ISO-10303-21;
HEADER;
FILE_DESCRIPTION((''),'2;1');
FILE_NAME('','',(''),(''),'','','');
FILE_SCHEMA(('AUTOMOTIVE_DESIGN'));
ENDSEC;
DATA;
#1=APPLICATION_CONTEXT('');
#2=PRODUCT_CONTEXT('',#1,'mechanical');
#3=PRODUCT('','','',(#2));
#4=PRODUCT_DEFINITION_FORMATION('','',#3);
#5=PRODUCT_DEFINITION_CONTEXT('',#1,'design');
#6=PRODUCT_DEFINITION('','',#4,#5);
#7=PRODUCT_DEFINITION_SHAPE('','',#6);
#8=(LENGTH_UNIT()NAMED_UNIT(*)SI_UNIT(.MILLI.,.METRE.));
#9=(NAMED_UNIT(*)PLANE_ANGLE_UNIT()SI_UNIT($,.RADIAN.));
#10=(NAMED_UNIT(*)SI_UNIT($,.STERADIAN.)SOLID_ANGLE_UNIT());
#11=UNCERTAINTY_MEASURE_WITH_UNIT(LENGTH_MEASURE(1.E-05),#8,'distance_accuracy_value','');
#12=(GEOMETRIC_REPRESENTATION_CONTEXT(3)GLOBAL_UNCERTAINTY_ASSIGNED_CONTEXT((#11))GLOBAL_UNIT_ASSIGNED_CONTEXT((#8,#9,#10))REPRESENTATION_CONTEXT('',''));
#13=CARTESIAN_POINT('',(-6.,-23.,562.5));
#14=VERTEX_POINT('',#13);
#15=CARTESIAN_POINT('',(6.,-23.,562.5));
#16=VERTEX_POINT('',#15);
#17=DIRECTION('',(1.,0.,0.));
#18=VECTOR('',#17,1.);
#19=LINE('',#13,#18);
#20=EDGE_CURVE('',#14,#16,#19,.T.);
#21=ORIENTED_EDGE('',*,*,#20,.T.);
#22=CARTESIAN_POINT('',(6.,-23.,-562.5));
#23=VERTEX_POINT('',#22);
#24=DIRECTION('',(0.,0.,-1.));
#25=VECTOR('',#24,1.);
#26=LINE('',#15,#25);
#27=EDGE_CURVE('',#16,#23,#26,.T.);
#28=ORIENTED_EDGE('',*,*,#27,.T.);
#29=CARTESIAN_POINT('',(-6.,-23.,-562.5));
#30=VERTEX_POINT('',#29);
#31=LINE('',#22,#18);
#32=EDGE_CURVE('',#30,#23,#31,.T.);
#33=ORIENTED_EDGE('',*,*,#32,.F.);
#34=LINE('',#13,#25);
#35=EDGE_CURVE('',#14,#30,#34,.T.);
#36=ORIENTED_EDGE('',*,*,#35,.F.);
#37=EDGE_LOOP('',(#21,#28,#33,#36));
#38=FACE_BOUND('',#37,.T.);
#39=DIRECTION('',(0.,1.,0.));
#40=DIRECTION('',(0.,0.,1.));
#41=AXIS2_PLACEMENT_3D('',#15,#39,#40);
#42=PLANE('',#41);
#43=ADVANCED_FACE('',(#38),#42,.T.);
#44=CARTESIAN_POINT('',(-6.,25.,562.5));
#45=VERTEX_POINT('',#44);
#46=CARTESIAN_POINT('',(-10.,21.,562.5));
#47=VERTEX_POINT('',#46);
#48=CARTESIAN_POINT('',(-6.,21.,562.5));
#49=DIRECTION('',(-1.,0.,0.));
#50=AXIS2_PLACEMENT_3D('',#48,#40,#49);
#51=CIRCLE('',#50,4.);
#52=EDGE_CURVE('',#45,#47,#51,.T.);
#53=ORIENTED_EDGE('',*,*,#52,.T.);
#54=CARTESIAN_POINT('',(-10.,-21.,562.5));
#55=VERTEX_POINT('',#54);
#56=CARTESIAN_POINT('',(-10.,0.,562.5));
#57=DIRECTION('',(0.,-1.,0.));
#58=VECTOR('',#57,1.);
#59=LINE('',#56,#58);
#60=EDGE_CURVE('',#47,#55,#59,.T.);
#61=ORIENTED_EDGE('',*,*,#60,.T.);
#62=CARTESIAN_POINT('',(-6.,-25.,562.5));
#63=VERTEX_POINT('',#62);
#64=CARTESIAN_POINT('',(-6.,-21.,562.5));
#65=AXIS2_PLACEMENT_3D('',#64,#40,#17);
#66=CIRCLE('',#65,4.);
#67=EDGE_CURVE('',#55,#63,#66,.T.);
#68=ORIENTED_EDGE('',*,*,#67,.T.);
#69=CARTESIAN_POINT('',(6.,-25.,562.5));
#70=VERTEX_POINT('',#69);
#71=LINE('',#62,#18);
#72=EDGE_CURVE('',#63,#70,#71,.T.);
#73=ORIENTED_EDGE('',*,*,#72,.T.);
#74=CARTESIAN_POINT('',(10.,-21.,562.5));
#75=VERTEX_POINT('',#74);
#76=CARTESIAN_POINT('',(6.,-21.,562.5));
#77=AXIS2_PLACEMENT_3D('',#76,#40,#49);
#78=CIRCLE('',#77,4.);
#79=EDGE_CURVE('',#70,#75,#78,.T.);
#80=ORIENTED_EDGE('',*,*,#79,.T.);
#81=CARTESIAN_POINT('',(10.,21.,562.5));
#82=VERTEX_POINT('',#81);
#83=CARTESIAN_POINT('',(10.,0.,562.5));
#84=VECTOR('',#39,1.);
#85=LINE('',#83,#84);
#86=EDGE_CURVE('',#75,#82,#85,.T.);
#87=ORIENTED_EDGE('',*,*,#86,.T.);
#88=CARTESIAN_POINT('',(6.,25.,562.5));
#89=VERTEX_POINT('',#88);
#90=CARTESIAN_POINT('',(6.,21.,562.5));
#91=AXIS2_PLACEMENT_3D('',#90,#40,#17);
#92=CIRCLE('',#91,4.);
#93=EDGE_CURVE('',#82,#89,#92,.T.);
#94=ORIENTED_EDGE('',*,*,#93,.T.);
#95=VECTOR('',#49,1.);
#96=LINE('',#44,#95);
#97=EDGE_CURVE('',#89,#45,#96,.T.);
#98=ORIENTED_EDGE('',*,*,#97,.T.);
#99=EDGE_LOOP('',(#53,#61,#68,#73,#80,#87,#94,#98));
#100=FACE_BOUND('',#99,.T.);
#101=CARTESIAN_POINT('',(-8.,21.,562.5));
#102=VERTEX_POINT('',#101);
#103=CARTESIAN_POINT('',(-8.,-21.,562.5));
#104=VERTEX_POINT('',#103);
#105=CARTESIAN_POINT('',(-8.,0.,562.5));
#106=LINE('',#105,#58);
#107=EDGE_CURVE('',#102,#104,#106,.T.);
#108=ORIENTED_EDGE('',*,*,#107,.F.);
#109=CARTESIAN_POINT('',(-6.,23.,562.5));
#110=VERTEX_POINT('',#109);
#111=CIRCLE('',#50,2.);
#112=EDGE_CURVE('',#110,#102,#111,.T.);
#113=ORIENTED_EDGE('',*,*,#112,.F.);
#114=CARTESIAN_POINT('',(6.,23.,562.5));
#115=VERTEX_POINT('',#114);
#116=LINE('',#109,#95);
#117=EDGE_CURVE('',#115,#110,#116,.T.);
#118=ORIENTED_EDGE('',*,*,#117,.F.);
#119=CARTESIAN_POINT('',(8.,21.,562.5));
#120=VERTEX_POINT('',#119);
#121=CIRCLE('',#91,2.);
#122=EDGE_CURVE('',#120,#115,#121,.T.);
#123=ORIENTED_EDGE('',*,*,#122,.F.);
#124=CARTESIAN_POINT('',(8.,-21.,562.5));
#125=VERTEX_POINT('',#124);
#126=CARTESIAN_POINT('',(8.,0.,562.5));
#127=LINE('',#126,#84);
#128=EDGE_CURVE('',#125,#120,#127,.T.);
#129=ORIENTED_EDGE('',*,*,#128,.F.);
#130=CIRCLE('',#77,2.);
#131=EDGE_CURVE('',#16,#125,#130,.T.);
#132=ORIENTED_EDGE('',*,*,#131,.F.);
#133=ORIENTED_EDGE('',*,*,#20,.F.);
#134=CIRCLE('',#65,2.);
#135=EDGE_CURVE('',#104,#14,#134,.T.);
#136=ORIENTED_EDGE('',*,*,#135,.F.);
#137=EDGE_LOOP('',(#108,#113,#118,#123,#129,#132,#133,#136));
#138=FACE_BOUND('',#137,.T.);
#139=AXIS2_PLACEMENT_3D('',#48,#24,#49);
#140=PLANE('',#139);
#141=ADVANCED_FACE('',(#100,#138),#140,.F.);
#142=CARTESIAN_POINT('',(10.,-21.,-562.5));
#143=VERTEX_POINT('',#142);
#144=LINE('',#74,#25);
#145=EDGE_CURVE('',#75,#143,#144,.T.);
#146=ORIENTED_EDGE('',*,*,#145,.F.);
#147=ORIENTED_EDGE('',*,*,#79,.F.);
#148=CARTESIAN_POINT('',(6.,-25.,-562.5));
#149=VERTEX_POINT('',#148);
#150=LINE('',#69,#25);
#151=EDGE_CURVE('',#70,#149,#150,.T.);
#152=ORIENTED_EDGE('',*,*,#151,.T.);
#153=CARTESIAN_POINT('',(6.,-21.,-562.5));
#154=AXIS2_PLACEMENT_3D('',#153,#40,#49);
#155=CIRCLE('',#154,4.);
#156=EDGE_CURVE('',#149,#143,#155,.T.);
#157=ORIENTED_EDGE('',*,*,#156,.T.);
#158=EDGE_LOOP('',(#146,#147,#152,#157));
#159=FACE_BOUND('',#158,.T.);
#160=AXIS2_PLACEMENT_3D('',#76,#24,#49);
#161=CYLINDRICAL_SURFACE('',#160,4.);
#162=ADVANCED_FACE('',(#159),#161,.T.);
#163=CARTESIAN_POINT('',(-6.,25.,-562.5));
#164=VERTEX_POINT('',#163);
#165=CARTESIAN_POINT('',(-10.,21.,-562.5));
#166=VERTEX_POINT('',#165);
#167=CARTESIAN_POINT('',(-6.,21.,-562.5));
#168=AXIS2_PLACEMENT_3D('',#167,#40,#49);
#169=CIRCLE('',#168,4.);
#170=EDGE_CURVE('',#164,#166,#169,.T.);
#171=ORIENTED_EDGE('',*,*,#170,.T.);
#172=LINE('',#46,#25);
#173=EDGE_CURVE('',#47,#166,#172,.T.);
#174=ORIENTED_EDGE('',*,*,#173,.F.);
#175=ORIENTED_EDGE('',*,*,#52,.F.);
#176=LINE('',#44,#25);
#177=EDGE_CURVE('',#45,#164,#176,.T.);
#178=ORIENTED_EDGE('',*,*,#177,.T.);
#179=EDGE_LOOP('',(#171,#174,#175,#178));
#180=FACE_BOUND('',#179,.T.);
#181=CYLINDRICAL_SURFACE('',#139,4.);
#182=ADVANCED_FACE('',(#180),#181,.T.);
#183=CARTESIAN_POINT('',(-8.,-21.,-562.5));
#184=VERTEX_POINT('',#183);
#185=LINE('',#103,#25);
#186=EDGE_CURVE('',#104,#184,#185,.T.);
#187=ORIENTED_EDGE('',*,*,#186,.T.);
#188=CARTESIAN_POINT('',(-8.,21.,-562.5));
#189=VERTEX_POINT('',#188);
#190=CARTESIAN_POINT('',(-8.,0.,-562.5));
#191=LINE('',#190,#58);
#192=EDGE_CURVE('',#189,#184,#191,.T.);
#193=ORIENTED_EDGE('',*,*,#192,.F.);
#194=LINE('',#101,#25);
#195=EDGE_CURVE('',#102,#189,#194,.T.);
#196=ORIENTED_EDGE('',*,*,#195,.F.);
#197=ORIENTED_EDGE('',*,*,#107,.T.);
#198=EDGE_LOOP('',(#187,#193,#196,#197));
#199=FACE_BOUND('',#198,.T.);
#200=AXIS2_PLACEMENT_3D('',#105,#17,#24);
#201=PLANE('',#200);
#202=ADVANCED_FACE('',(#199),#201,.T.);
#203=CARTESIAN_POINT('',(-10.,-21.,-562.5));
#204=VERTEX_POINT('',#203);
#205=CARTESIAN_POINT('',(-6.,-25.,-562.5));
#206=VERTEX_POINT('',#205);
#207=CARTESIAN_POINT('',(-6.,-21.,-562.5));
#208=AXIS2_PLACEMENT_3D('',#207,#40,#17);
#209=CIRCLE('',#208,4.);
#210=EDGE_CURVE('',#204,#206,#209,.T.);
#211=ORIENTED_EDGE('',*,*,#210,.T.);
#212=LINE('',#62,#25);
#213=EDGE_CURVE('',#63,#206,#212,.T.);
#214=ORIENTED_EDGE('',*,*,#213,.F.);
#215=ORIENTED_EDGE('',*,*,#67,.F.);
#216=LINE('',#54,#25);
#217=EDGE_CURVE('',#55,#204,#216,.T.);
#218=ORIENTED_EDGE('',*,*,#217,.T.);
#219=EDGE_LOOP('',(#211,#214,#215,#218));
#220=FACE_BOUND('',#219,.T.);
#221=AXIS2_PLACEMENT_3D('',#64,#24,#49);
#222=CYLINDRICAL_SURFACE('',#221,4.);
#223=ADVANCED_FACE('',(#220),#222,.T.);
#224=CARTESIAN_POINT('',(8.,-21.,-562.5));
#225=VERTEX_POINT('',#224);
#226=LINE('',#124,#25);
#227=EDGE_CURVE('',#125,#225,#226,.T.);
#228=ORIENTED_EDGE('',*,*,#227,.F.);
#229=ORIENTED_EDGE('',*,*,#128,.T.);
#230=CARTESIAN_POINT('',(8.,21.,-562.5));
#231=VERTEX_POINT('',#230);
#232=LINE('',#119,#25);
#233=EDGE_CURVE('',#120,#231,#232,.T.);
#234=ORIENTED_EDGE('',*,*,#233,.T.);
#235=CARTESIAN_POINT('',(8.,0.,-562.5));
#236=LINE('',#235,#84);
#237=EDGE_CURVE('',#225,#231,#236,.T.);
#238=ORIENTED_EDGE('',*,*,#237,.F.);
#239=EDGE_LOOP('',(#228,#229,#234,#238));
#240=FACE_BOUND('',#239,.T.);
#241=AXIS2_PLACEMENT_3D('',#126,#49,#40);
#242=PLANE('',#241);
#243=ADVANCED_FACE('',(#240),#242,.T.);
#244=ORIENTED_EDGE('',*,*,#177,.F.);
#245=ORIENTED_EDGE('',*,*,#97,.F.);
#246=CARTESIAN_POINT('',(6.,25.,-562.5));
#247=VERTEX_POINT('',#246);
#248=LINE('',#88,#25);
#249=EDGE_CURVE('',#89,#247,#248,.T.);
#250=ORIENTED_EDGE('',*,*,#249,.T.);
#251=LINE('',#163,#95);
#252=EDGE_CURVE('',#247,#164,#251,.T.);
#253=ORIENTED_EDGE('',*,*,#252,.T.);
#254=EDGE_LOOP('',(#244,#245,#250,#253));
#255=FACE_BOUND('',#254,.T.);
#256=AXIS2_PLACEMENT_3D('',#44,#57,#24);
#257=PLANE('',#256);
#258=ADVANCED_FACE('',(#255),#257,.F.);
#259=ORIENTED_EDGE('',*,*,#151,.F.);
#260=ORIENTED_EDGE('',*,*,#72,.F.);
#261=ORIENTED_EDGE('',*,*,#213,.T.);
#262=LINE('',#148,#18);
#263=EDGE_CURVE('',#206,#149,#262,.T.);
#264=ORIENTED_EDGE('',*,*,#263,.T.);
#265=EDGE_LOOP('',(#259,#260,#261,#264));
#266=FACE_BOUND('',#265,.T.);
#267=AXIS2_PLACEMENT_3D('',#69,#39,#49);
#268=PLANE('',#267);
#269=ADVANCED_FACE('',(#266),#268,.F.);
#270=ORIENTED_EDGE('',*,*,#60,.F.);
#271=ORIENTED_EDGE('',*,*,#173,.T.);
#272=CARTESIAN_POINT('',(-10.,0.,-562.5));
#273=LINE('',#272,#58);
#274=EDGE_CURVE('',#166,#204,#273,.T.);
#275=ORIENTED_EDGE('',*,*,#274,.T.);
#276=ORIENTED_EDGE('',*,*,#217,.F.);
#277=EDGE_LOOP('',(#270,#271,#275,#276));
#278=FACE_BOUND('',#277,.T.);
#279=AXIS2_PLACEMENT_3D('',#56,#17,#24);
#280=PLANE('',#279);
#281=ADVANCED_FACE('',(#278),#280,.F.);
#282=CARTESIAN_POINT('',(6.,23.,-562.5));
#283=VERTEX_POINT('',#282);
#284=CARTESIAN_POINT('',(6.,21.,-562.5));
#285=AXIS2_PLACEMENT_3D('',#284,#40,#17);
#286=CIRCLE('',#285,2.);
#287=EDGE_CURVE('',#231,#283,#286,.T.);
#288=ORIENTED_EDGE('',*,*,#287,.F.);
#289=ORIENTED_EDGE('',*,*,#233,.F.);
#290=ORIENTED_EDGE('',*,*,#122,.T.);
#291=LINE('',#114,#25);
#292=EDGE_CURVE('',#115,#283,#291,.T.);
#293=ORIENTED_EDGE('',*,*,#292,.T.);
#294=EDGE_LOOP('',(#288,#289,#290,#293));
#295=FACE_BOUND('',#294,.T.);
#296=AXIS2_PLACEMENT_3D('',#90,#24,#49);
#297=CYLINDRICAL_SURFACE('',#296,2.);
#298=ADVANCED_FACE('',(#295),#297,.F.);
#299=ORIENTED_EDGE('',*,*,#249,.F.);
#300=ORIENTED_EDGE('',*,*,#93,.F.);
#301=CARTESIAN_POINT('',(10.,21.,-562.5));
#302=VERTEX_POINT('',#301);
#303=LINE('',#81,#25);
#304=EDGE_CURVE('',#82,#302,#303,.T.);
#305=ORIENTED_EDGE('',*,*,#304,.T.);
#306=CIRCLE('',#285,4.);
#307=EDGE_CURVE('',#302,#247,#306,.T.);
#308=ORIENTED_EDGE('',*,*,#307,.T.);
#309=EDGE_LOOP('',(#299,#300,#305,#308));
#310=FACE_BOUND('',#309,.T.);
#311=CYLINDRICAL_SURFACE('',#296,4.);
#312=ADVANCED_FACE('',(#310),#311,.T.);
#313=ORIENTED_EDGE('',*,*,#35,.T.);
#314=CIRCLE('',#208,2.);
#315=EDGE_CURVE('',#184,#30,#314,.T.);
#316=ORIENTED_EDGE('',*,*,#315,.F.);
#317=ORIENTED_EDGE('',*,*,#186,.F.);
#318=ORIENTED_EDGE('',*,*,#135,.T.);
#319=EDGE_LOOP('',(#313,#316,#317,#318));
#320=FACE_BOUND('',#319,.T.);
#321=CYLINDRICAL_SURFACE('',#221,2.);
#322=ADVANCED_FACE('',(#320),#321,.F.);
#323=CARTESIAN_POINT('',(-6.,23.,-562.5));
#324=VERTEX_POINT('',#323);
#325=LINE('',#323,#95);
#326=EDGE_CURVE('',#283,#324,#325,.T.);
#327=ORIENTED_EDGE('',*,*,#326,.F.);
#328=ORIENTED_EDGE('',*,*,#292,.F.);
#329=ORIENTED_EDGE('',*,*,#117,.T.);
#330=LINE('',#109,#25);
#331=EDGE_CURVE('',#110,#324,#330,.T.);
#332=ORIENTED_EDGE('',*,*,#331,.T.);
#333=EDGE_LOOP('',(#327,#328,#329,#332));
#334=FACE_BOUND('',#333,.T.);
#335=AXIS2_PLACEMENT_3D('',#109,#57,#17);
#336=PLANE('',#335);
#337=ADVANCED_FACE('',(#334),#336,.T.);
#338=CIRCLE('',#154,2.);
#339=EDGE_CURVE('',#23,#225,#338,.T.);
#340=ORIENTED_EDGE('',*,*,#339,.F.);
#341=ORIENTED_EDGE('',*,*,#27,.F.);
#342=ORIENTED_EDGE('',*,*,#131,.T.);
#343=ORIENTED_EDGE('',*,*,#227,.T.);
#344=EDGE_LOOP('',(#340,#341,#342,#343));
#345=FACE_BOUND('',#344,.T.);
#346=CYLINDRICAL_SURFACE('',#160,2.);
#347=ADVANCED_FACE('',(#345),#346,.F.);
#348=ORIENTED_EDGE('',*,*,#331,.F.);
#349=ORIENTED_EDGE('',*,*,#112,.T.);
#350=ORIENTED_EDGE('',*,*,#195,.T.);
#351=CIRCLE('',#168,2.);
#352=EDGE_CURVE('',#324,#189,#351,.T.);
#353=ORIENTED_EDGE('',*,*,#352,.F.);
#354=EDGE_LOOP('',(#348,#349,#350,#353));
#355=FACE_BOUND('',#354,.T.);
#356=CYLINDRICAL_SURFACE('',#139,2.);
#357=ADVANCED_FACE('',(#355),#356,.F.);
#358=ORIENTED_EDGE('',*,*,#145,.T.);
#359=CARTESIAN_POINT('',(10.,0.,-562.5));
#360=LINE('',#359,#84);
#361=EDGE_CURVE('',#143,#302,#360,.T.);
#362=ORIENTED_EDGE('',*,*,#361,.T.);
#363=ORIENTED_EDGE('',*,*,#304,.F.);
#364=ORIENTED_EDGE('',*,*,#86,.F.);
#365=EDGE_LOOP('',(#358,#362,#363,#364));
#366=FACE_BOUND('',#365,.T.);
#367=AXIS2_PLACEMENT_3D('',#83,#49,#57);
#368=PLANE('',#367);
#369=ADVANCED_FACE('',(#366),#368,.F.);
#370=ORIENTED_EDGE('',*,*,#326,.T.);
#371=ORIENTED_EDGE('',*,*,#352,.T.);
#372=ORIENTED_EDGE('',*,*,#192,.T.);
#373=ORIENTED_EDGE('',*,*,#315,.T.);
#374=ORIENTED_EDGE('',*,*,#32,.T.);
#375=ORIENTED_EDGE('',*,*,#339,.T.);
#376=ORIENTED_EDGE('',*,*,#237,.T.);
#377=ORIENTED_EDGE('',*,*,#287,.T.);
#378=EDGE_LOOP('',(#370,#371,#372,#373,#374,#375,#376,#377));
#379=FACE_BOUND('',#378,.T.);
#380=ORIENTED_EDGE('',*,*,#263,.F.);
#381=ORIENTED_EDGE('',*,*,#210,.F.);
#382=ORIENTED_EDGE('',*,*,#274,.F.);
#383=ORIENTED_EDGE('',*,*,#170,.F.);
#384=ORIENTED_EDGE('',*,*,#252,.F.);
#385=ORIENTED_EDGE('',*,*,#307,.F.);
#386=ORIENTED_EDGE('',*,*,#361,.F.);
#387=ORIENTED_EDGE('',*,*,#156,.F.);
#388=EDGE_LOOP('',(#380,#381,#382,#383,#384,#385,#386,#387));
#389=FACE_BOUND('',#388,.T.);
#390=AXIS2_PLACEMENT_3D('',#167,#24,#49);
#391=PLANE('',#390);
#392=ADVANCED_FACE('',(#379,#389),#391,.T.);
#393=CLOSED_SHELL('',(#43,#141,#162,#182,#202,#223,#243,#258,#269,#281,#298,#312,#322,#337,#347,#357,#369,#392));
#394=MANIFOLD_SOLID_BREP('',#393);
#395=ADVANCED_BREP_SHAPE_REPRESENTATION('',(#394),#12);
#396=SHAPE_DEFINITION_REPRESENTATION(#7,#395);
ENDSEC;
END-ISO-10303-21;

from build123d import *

# Parameters (mm, degrees)
BOSS_EXTRUDE1_DEPTH = 562.5


with BuildPart() as part:
    # Sketch1 → Boss-Extrude1 (new, symmetric)
    with BuildSketch(Plane.XY):
        with BuildLine():
            Line((-10, 0), (-10, -21))
            ThreePointArc((-10, -21), (-8.828427125, -23.828427125), (-6, -25))
            Line((-6, -25), (0, -25))
            Line((0, -25), (6, -25))
            ThreePointArc((6, -25), (8.828427125, -23.828427125), (10, -21))
            Line((10, -21), (10, 0))
            Line((10, 0), (10, 21))
            ThreePointArc((10, 21), (8.828427125, 23.828427125), (6, 25))
            Line((6, 25), (-6, 25))
            ThreePointArc((-6, 25), (-8.828427125, 23.828427125), (-10, 21))
            Line((-10, 21), (-10, 0))
        make_face()
        with BuildLine():
            Line((-8, 0), (-8, -21))
            ThreePointArc((-8, -21), (-7.414213562, -22.414213562), (-6, -23))
            Line((-6, -23), (0, -23))
            Line((0, -23), (6, -23))
            ThreePointArc((6, -23), (7.414213562, -22.414213562), (8, -21))
            Line((8, -21), (8, 0))
            Line((8, 0), (8, 21))
            ThreePointArc((8, 21), (7.414213562, 22.414213562), (6, 23))
            Line((6, 23), (-6, 23))
            ThreePointArc((-6, 23), (-7.414213562, 22.414213562), (-8, 21))
            Line((-8, 21), (-8, 0))
        make_face(mode=Mode.SUBTRACT)
    extrude(amount=BOSS_EXTRUDE1_DEPTH, both=True)


solid = part.part
